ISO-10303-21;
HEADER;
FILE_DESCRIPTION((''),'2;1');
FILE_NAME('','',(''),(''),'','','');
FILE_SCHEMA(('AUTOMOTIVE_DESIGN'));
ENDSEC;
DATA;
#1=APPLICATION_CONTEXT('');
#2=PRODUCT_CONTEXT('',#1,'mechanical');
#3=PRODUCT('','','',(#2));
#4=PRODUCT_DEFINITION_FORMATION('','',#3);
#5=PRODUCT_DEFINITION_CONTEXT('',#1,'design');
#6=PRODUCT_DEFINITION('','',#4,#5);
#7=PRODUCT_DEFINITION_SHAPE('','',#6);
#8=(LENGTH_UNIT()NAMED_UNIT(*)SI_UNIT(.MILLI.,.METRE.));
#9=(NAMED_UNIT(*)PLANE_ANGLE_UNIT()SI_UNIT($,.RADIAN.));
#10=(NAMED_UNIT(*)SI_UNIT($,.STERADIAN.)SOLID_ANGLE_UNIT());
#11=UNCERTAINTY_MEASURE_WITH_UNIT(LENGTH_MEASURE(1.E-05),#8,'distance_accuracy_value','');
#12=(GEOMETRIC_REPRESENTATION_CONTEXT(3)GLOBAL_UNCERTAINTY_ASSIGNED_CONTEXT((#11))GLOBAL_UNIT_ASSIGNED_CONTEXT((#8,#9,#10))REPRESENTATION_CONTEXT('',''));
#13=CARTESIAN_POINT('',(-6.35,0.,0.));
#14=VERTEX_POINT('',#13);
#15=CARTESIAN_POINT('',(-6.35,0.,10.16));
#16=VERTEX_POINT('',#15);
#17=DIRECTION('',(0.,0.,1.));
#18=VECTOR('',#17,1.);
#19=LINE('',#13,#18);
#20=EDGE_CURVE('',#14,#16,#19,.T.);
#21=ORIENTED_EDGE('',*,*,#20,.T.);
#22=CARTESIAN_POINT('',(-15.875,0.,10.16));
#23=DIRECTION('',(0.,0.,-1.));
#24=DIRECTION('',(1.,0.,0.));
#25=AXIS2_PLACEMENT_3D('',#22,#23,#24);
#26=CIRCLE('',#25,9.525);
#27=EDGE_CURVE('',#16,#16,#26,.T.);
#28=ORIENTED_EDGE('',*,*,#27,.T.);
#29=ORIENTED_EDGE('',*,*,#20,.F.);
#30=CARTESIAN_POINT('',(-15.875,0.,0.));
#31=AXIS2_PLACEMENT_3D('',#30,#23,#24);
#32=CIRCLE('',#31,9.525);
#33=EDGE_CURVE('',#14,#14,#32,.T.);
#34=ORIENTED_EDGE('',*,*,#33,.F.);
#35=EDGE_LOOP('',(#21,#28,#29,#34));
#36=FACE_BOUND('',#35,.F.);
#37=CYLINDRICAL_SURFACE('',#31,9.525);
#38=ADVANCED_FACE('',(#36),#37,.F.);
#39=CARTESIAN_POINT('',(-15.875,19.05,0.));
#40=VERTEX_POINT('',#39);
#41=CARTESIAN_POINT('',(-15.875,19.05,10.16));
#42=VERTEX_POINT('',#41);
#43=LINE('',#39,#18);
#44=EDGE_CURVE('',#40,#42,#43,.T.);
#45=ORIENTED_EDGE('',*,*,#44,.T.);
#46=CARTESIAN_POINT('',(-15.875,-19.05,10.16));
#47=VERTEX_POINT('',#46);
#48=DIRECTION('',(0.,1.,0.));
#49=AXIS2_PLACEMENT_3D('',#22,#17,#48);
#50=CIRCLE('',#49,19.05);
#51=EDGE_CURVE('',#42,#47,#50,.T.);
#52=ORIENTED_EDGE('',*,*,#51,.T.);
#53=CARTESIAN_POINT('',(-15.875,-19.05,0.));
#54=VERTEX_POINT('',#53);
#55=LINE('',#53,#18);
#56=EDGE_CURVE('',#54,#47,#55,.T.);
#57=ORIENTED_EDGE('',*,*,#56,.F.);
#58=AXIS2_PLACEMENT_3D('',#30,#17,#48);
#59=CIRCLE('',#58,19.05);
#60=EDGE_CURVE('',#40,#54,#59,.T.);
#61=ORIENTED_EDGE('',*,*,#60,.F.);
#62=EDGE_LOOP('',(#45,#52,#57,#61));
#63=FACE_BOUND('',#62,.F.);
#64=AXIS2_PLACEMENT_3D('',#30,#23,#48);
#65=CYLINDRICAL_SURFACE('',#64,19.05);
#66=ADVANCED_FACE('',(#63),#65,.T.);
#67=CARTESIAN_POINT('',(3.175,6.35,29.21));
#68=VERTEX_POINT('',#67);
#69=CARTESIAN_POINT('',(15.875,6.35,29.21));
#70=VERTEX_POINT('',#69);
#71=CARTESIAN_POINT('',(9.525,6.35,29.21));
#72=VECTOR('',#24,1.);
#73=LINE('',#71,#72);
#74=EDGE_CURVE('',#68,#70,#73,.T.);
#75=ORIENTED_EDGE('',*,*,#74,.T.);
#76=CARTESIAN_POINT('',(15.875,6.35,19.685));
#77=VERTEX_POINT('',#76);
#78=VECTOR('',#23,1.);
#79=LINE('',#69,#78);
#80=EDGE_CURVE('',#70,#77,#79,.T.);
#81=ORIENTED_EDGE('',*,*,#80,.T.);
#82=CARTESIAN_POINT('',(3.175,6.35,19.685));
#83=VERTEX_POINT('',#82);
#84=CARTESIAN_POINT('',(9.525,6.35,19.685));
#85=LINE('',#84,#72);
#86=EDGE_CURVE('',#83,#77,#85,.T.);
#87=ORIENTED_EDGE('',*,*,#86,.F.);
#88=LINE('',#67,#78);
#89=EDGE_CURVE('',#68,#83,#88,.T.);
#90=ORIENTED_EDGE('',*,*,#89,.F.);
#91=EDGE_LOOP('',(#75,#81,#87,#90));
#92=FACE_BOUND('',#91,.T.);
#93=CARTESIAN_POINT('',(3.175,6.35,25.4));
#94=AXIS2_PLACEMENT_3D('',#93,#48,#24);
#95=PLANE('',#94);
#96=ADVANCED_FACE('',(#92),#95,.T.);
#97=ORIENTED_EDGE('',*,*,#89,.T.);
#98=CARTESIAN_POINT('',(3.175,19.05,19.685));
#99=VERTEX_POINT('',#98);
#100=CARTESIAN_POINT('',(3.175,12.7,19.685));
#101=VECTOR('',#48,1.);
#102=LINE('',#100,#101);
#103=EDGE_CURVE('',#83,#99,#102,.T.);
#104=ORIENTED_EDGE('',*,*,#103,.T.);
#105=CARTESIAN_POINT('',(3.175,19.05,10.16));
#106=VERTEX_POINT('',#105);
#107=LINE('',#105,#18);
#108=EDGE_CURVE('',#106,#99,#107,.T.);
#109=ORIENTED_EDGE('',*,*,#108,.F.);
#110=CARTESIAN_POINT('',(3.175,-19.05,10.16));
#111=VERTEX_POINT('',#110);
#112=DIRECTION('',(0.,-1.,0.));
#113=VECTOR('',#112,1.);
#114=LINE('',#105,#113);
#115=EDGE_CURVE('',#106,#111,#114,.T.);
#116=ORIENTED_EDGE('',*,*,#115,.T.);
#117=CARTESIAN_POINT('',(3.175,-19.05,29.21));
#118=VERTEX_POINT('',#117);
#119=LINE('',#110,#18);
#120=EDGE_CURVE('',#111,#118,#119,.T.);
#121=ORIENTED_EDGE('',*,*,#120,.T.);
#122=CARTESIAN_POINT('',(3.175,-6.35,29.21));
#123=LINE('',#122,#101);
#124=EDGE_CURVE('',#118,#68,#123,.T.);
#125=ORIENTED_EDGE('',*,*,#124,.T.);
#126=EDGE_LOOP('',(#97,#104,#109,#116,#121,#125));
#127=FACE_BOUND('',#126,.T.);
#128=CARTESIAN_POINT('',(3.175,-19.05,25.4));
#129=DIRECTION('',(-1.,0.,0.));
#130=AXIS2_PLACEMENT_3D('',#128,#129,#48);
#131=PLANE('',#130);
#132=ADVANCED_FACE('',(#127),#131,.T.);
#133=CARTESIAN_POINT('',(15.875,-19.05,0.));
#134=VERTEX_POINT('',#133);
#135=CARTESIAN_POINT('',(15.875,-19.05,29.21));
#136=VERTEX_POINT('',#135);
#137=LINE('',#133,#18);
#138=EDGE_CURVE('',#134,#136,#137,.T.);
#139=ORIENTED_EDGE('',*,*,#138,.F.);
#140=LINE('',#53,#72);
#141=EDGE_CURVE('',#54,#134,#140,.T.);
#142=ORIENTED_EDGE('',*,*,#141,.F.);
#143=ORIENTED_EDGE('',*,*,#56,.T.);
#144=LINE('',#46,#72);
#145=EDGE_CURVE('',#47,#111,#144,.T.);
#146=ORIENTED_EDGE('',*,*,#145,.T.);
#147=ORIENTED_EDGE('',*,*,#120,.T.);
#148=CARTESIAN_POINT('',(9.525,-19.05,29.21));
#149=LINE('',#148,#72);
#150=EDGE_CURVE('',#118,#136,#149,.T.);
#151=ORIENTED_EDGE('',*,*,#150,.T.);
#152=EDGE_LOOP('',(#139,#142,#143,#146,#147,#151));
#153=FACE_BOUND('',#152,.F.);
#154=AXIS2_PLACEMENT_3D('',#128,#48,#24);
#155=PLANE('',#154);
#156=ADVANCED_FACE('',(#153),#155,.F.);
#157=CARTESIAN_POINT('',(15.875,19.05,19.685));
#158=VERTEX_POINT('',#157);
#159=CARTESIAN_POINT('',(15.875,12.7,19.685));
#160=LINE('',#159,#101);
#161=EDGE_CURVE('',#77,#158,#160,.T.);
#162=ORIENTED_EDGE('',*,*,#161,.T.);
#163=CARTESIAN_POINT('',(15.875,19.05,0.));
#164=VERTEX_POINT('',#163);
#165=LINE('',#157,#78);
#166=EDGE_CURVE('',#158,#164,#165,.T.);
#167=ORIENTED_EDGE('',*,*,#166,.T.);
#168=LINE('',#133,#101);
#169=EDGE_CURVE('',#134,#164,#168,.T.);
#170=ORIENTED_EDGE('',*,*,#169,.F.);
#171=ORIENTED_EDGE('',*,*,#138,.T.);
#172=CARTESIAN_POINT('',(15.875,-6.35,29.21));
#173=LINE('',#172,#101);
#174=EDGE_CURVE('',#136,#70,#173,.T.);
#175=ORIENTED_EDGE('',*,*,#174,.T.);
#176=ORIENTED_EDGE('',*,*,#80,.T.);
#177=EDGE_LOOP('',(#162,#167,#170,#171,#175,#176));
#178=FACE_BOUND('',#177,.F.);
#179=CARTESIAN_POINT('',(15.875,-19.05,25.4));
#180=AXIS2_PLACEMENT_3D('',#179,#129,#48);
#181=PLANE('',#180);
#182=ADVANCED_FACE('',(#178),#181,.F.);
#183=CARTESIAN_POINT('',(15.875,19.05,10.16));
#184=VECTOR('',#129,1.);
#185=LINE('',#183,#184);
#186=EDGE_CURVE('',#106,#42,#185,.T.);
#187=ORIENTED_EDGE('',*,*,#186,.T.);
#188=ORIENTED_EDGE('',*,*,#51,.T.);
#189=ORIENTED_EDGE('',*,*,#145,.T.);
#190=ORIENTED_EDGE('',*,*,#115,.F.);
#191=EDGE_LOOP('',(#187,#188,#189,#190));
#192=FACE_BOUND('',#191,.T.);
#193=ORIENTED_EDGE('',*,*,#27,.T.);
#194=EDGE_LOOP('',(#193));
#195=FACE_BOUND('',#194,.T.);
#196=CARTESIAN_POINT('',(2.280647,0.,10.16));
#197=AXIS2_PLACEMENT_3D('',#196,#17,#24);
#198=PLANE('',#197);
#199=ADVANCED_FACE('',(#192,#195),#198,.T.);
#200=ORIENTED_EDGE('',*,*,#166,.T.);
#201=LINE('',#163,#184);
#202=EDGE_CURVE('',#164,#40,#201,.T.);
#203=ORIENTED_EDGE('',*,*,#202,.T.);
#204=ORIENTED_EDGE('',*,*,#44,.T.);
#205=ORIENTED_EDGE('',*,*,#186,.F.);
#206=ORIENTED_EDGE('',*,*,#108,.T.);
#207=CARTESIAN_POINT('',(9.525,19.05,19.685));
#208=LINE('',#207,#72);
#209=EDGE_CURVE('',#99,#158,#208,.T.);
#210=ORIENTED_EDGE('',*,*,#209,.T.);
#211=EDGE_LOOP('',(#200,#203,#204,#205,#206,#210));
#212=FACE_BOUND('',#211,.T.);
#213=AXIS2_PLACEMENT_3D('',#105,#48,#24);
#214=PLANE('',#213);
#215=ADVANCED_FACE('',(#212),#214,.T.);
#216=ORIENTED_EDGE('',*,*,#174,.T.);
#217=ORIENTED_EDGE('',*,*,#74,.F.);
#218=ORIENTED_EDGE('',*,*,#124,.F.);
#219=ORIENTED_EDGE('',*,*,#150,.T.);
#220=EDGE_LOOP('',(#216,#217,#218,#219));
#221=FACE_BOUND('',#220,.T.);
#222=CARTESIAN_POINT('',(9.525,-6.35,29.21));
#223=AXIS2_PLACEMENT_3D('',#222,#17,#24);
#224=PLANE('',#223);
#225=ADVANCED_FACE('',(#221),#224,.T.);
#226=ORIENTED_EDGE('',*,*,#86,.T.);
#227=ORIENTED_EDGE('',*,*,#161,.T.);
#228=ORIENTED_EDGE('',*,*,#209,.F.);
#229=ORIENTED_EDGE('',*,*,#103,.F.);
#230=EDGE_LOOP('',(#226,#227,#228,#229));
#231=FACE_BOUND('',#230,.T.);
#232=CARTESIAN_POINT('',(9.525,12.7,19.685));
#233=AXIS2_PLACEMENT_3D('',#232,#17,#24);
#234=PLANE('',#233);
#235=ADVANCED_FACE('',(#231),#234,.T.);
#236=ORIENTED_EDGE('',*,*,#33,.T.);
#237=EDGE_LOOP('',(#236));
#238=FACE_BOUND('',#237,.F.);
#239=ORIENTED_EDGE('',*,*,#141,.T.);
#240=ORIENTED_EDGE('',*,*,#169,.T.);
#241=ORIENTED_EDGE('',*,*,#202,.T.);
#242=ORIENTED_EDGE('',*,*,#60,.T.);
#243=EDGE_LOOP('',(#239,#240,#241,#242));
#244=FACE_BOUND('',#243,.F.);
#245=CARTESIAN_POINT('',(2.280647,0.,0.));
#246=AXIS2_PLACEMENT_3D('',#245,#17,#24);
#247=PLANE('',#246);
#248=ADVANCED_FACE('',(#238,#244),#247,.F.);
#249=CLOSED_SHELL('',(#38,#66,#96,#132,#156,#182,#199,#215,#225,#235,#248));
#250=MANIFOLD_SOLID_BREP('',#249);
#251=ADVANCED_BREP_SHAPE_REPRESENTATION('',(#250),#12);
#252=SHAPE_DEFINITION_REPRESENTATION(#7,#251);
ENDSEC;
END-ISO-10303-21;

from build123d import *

# Parameters (mm, degrees)
F1_DEPTH = 10.16
F2_W     = 12.7
F2_H     = 25.4
F3_DEPTH = 15.24
F4_W     = 12.7
F4_H     = 12.7
F5_DEPTH = 9.525
F6_DEPTH = 3.81


with BuildPart() as f1:
    # F0 (on Top) → F1 (new body)
    with BuildSketch(Plane.XY):
        with BuildLine():
            Line((15.875, -19.05), (15.875, 19.05))
            Line((15.875, 19.05), (-15.875, 19.05))
            ThreePointArc((-15.875, 19.05), (-2.4046158184, 13.4703841816), (3.175, 0))
            ThreePointArc((3.175, 0), (-2.4046158184, -13.4703841816), (-15.875, -19.05))
            Line((-15.875, -19.05), (15.875, -19.05))
        make_face()
        with BuildLine():
            ThreePointArc((3.175, 0), (-2.4046158184, 13.4703841816), (-15.875, 19.05))
            Line((-15.875, 19.05), (-15.875, 9.525))
            ThreePointArc((-15.875, 9.525), (-9.1398079092, 6.7351920908), (-6.35, 0))
            ThreePointArc((-6.35, 0), (-9.1398079092, -6.7351920908), (-15.875, -9.525))
            Line((-15.875, -9.525), (-15.875, -19.05))
            ThreePointArc((-15.875, -19.05), (-2.4046158184, -13.4703841816), (3.175, 0))
        make_face()
        with BuildLine():
            Line((-15.875, 9.525), (-15.875, 19.05))
            ThreePointArc((-15.875, 19.05), (-34.925, 0), (-15.875, -19.05))
            Line((-15.875, -19.05), (-15.875, -9.525))
            ThreePointArc((-15.875, -9.525), (-25.4, 0), (-15.875, 9.525))
        make_face()
    extrude(amount=F1_DEPTH)

    # F2 (on face) → F3 (join)
    with BuildSketch(Plane.XY.offset(10.16)):
        with Locations((9.525, -6.35)):
            Rectangle(F2_W, F2_H)
    extrude(amount=F3_DEPTH)

    # F4 (on face) → F5 (join)
    with BuildSketch(Plane.XY.offset(10.16)):
        with Locations((9.525, 12.7)):
            Rectangle(F4_W, F4_H)
    extrude(amount=F5_DEPTH)

    # F6 (add): a face of the model
    f6_faces = [f1.faces().sort_by_distance(p)[0] for p in [
        (9.525, -6.35, 25.4),
    ]]
    extrude(f6_faces, amount=F6_DEPTH)


solid = f1.part
